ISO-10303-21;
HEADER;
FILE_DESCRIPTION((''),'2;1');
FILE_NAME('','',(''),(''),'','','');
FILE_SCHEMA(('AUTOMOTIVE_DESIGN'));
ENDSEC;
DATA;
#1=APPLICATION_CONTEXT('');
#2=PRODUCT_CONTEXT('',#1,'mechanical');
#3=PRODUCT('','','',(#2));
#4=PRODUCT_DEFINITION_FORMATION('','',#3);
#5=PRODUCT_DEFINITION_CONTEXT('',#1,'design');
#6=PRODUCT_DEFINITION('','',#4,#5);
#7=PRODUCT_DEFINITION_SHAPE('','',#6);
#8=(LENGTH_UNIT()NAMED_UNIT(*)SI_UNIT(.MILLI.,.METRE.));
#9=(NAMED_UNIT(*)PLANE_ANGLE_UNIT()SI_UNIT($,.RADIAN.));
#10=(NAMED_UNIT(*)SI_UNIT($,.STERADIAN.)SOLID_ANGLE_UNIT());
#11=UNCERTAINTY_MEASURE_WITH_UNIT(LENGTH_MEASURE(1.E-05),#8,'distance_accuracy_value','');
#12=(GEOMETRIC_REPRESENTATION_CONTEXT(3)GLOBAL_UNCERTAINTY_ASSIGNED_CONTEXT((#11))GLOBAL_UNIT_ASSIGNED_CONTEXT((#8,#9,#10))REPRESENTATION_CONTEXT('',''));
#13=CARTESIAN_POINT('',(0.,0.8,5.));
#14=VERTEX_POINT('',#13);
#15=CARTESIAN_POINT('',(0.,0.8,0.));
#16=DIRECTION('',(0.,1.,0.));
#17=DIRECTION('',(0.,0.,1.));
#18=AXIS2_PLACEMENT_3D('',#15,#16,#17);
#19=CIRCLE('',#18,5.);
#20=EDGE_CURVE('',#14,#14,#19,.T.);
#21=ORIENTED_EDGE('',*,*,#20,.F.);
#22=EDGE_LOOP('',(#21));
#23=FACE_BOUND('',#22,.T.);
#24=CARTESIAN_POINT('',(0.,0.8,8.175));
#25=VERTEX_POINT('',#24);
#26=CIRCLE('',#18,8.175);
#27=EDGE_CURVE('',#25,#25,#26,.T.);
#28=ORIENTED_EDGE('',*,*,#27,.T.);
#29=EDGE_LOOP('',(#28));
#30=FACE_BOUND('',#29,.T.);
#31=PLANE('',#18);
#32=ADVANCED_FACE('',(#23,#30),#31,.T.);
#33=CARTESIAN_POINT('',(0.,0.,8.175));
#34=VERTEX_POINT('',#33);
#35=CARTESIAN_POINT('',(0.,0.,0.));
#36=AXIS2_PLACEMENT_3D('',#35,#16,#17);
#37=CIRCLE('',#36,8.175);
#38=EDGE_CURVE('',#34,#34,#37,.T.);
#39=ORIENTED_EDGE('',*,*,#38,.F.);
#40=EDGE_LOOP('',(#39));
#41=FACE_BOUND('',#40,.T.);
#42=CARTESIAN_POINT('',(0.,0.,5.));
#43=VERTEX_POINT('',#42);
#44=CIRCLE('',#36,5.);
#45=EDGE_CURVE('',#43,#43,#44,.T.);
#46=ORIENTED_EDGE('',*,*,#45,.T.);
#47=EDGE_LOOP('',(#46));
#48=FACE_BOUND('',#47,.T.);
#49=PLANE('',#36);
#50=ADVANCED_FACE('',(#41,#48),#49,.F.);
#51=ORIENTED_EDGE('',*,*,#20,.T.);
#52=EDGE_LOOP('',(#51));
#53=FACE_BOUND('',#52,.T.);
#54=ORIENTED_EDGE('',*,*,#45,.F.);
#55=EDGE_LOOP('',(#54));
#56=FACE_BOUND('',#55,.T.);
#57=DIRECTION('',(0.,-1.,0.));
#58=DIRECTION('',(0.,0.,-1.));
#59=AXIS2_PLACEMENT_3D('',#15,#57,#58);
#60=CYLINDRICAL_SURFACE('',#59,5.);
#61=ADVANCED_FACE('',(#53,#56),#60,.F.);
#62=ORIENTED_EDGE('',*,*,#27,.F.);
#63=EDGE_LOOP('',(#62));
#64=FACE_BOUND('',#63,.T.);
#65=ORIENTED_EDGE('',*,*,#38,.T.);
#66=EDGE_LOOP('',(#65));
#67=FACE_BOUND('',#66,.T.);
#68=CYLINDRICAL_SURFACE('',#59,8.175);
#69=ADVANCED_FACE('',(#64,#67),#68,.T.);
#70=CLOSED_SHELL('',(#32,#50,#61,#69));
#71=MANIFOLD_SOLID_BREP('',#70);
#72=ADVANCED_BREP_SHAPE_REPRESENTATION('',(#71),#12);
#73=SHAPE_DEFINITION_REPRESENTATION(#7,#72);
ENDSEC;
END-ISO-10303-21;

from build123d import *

# Parameters (mm, degrees)
SKETCH2_R           = 8.175
SKETCH2_R_2         = 5
BOSS_EXTRUDE2_DEPTH = 0.8


with BuildPart() as part:
    # Sketch2 → Boss-Extrude2 (new body)
    with BuildSketch(Plane(origin=(0, 0, 0), x_dir=(1, 0, 0), z_dir=(0, 1, 0))):
        Circle(SKETCH2_R)
        Circle(SKETCH2_R_2, mode=Mode.SUBTRACT)
    extrude(amount=BOSS_EXTRUDE2_DEPTH)


solid = part.part
